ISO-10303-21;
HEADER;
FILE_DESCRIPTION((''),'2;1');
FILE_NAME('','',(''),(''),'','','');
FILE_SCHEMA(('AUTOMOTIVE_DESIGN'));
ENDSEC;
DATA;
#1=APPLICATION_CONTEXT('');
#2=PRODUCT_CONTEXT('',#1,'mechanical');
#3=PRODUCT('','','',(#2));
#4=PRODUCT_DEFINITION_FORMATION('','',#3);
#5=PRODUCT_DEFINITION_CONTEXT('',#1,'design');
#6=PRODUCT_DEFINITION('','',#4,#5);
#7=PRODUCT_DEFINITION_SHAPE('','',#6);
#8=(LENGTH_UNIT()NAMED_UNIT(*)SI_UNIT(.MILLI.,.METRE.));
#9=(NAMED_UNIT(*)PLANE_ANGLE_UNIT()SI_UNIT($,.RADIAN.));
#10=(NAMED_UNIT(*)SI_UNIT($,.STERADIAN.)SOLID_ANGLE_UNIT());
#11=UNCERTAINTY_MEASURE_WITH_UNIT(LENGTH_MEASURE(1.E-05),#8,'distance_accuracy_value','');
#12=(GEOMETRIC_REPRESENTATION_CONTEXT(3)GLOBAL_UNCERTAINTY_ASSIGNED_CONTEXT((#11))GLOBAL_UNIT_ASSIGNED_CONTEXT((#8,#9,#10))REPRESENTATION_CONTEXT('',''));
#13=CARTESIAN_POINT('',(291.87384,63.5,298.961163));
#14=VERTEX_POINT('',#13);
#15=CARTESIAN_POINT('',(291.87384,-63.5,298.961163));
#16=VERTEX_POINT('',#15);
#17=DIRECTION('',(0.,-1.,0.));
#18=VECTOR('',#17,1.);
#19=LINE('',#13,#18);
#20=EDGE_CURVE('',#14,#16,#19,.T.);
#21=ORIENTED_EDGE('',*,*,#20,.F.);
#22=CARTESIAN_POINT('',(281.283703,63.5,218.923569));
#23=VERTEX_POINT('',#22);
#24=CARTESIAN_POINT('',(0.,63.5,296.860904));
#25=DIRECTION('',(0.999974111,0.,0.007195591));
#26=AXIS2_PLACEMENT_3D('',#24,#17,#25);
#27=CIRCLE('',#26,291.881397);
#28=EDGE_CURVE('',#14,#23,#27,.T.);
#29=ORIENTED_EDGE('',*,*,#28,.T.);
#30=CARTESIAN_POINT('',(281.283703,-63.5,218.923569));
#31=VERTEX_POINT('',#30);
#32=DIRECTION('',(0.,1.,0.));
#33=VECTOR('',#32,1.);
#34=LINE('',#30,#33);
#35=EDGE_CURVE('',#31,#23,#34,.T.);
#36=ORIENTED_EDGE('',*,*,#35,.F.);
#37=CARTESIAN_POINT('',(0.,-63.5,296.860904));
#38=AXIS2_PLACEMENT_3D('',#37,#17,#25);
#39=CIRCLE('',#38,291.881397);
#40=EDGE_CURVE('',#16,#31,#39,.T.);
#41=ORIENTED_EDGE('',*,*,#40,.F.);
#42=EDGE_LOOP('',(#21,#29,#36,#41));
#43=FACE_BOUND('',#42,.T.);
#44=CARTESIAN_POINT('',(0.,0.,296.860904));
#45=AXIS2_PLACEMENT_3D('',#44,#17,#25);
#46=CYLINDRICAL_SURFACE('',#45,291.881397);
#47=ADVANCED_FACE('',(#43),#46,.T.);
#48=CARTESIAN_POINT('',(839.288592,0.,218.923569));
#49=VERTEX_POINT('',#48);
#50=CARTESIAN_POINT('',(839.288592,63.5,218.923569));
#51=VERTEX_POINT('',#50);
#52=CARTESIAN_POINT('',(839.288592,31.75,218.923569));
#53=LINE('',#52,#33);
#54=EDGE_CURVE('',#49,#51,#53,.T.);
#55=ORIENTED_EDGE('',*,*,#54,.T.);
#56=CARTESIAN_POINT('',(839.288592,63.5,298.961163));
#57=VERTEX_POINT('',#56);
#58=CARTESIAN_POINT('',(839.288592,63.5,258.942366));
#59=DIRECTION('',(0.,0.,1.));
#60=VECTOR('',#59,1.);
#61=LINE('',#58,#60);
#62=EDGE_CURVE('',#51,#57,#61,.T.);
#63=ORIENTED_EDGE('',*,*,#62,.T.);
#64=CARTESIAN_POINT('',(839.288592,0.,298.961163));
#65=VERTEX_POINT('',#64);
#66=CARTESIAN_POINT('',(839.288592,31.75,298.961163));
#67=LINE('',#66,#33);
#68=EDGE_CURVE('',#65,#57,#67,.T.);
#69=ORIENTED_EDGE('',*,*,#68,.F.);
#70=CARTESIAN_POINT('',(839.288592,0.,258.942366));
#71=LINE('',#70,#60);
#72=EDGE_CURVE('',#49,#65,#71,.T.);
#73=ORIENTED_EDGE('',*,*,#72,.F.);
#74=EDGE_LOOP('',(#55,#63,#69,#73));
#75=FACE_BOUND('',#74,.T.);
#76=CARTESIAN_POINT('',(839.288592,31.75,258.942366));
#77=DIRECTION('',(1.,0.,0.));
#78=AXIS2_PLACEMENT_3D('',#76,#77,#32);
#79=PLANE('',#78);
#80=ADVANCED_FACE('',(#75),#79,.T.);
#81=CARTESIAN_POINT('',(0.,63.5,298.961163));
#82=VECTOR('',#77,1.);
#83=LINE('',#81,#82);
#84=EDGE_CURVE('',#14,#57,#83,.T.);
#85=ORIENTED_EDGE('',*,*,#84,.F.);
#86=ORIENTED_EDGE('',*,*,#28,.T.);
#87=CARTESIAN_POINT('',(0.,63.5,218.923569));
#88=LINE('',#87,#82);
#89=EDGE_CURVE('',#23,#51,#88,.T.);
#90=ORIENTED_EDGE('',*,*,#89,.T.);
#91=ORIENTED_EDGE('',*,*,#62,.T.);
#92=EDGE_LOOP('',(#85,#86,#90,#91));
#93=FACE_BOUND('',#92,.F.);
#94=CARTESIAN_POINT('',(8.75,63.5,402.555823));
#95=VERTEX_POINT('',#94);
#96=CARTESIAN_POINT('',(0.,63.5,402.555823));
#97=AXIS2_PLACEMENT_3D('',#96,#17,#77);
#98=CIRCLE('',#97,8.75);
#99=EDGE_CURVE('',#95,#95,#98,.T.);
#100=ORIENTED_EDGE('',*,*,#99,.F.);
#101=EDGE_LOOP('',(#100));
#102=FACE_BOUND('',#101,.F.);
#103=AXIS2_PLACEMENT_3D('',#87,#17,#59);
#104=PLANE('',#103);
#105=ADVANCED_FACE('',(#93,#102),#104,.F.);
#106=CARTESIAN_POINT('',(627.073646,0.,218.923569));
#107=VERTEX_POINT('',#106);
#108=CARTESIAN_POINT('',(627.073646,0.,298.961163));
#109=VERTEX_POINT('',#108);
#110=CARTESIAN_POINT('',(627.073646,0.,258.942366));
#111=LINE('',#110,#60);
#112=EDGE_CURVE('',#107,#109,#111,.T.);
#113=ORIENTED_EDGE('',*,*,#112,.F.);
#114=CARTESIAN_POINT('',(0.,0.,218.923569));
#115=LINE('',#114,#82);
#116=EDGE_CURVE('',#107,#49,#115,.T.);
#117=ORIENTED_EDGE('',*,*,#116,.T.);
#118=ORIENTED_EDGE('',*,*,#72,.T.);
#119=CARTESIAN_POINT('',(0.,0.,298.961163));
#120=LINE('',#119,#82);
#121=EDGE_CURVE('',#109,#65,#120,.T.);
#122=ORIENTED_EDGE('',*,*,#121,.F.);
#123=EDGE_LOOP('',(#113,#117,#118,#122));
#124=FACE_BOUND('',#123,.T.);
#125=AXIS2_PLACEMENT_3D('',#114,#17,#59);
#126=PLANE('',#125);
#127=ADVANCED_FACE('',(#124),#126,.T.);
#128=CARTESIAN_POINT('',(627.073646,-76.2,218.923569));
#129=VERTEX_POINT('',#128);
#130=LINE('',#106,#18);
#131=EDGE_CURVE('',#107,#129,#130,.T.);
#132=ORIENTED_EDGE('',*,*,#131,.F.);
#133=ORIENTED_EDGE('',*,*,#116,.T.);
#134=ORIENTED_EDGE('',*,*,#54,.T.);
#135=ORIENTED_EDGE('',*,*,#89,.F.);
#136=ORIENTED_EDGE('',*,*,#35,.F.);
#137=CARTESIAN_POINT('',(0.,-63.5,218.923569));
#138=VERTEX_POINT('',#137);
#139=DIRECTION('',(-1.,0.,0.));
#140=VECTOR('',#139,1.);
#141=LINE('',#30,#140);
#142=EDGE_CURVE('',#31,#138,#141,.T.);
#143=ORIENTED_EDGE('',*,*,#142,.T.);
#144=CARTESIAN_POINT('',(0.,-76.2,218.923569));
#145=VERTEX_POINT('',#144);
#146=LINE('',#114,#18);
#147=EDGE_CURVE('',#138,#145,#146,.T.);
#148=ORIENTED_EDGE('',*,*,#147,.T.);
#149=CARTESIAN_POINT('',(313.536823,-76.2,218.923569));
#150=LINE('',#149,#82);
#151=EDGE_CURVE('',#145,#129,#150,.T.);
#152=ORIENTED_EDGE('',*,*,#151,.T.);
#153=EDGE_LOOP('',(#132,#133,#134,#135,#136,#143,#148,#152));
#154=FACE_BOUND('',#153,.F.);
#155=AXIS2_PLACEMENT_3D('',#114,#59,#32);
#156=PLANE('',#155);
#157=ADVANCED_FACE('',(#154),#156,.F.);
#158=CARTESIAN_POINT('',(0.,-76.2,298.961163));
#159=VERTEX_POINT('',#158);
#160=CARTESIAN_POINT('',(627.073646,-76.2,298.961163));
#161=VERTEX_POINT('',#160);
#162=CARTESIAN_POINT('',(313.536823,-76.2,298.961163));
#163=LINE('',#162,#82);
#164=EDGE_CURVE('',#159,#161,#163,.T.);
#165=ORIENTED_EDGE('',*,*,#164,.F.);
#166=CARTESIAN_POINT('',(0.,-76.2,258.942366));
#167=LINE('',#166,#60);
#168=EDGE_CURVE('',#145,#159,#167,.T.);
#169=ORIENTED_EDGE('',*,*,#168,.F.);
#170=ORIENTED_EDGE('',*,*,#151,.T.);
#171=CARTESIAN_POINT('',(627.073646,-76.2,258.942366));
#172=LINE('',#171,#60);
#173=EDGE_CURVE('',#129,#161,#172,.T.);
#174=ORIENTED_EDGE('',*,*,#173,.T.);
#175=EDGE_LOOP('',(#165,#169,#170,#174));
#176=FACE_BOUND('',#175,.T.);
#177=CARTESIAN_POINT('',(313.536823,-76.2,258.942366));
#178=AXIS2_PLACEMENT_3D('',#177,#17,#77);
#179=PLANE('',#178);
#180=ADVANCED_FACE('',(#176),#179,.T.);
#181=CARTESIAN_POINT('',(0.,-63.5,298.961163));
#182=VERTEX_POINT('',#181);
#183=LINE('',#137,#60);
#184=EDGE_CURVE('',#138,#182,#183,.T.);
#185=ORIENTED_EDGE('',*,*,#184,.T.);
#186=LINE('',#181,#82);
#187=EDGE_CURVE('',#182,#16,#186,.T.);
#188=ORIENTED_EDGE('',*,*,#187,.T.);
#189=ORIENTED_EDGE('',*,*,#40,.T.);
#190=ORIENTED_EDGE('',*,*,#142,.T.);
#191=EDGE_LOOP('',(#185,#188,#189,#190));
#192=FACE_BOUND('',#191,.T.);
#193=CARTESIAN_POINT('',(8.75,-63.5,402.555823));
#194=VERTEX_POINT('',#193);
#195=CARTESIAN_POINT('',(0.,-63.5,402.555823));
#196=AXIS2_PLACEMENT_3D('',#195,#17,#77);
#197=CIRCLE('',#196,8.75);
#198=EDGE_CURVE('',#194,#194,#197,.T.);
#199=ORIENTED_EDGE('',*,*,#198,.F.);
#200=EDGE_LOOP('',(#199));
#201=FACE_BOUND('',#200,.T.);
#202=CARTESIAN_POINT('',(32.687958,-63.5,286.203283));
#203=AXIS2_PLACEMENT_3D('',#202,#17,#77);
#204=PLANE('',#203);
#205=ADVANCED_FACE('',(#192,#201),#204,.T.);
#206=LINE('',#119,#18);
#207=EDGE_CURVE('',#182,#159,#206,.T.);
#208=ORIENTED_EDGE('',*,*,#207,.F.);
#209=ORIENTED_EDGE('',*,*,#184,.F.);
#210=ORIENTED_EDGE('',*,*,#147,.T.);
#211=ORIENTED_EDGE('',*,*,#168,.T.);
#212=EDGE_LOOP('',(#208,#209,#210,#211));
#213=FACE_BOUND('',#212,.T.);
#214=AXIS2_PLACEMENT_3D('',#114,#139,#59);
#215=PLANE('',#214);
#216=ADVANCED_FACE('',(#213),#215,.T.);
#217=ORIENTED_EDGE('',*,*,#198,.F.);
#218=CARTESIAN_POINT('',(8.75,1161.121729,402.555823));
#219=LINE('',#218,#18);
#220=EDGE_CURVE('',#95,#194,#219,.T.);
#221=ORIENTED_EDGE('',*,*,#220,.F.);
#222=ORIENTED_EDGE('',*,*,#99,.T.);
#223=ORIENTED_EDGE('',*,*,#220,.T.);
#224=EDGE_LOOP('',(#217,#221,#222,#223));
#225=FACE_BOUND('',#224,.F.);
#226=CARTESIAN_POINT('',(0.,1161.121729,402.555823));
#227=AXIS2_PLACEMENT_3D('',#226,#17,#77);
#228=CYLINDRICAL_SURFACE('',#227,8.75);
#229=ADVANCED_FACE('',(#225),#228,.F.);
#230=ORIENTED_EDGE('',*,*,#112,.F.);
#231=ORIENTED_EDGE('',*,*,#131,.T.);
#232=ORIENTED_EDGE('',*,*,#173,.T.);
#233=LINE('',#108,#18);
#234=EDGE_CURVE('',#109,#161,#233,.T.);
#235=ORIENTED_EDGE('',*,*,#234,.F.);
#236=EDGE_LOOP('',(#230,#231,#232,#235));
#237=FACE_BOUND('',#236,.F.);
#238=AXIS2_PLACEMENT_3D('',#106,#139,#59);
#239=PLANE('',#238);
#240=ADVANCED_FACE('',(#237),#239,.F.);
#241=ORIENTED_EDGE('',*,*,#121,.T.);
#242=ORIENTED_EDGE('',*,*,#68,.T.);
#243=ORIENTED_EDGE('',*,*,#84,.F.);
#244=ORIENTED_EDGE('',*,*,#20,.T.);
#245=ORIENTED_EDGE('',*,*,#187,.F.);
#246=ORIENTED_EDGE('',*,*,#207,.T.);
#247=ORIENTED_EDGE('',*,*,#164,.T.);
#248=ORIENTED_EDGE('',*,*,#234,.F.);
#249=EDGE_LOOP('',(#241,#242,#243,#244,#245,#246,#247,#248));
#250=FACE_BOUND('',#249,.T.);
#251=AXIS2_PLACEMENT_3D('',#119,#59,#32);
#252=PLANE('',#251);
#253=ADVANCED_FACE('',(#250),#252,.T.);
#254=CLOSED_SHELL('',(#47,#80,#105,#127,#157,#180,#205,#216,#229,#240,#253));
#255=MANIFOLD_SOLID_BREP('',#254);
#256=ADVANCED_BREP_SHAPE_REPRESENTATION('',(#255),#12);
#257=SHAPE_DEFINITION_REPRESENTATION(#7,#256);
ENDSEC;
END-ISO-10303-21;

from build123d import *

# Parameters (mm, degrees)
F2_DEPTH = 63.5
F0_W     = 627.0736455917
F0_H     = 80.0375938416
F3_DEPTH = 76.2
F5_D     = 17.5
F6_W     = 63.5
F6_H     = 80.0375938416
F7_DEPTH = 839.2885923386


with BuildPart() as f2:
    # F1 (on face) → F2 (new body, symmetric)
    with BuildSketch(Plane.XZ):
        with BuildLine():
            Line((0, 298.9611625671), (291.8738404898, 298.9611625671))
            ThreePointArc((291.8738404898, 298.9611625671), (-289.3594591256, 335.1473667086), (281.2837032222, 218.9235687256))
            Line((281.2837032222, 218.9235687256), (0, 218.9235687256))
            Line((0, 218.9235687256), (0, 298.9611625671))
        make_face()
    extrude(amount=F2_DEPTH, both=True)

    # F0 (on Front) → F3 (join)
    with BuildSketch(Plane.XZ):
        with Locations((313.5368227959, 258.9423656464)):
            Rectangle(F0_W, F0_H)
    extrude(amount=F3_DEPTH)

    # F5 (through all)
    with Locations(Plane(origin=(0, 63.5, 0), x_dir=(-1, 0, 0), z_dir=(0, 1, 0))):
        with Locations((0, 402.5558233261)):
            Hole(F5_D / 2)

    # F6 (on face) → F7 (join)
    with BuildSketch(Plane.YZ):
        with Locations((31.75, 258.9423656464)):
            Rectangle(F6_W, F6_H)
    extrude(amount=F7_DEPTH)


solid = f2.part
